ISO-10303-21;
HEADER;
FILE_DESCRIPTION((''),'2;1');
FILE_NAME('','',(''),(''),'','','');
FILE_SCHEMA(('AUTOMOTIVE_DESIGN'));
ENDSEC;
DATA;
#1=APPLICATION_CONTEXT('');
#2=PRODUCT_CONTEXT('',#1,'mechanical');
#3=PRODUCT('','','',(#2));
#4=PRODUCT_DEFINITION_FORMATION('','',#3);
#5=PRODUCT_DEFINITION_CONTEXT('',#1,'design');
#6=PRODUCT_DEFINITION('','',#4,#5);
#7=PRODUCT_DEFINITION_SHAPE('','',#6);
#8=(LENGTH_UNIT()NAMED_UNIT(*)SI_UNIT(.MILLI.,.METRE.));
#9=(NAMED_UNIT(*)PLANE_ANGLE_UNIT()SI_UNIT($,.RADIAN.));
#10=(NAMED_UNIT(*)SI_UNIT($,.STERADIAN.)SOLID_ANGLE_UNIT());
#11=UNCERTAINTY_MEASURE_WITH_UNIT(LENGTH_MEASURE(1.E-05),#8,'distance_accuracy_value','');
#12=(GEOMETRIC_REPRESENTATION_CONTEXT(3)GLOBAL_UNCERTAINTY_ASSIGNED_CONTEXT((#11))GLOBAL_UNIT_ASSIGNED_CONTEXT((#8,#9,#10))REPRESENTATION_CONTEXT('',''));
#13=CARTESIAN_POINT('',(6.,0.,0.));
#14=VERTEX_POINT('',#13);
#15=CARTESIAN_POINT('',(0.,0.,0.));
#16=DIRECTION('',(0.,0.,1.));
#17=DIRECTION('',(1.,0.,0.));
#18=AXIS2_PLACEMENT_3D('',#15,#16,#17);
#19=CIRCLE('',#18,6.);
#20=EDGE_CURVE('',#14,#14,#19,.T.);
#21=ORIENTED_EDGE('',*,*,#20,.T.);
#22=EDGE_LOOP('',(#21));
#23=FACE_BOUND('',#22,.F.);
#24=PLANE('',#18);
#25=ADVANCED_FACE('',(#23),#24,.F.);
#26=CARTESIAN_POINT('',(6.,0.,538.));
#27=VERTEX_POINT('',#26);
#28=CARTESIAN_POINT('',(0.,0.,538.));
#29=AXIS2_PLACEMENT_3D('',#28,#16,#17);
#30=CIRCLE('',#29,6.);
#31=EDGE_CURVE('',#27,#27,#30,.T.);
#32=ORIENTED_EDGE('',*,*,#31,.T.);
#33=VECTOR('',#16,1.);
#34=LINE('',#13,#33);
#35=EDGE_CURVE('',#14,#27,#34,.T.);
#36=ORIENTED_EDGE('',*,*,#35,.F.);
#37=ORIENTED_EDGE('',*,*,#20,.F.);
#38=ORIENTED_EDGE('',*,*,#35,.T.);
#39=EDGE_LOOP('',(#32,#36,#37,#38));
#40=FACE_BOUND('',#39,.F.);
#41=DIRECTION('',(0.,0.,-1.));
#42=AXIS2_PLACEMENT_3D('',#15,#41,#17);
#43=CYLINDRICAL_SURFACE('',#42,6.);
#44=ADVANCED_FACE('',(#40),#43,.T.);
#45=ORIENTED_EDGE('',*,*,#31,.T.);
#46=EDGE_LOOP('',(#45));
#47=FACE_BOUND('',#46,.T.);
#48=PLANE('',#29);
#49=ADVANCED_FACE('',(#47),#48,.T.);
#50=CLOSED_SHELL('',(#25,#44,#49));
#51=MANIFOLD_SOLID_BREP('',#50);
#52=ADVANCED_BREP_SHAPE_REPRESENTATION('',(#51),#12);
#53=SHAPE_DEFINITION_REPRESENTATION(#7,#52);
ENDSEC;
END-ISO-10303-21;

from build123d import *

# Parameters (mm, degrees)
SKETCH_R  = 6
PAD_DEPTH = 538


with BuildPart() as part:
    # Sketch → Pad (new body)
    with BuildSketch(Plane.XY):
        Circle(SKETCH_R)
    extrude(amount=PAD_DEPTH)


solid = part.part
